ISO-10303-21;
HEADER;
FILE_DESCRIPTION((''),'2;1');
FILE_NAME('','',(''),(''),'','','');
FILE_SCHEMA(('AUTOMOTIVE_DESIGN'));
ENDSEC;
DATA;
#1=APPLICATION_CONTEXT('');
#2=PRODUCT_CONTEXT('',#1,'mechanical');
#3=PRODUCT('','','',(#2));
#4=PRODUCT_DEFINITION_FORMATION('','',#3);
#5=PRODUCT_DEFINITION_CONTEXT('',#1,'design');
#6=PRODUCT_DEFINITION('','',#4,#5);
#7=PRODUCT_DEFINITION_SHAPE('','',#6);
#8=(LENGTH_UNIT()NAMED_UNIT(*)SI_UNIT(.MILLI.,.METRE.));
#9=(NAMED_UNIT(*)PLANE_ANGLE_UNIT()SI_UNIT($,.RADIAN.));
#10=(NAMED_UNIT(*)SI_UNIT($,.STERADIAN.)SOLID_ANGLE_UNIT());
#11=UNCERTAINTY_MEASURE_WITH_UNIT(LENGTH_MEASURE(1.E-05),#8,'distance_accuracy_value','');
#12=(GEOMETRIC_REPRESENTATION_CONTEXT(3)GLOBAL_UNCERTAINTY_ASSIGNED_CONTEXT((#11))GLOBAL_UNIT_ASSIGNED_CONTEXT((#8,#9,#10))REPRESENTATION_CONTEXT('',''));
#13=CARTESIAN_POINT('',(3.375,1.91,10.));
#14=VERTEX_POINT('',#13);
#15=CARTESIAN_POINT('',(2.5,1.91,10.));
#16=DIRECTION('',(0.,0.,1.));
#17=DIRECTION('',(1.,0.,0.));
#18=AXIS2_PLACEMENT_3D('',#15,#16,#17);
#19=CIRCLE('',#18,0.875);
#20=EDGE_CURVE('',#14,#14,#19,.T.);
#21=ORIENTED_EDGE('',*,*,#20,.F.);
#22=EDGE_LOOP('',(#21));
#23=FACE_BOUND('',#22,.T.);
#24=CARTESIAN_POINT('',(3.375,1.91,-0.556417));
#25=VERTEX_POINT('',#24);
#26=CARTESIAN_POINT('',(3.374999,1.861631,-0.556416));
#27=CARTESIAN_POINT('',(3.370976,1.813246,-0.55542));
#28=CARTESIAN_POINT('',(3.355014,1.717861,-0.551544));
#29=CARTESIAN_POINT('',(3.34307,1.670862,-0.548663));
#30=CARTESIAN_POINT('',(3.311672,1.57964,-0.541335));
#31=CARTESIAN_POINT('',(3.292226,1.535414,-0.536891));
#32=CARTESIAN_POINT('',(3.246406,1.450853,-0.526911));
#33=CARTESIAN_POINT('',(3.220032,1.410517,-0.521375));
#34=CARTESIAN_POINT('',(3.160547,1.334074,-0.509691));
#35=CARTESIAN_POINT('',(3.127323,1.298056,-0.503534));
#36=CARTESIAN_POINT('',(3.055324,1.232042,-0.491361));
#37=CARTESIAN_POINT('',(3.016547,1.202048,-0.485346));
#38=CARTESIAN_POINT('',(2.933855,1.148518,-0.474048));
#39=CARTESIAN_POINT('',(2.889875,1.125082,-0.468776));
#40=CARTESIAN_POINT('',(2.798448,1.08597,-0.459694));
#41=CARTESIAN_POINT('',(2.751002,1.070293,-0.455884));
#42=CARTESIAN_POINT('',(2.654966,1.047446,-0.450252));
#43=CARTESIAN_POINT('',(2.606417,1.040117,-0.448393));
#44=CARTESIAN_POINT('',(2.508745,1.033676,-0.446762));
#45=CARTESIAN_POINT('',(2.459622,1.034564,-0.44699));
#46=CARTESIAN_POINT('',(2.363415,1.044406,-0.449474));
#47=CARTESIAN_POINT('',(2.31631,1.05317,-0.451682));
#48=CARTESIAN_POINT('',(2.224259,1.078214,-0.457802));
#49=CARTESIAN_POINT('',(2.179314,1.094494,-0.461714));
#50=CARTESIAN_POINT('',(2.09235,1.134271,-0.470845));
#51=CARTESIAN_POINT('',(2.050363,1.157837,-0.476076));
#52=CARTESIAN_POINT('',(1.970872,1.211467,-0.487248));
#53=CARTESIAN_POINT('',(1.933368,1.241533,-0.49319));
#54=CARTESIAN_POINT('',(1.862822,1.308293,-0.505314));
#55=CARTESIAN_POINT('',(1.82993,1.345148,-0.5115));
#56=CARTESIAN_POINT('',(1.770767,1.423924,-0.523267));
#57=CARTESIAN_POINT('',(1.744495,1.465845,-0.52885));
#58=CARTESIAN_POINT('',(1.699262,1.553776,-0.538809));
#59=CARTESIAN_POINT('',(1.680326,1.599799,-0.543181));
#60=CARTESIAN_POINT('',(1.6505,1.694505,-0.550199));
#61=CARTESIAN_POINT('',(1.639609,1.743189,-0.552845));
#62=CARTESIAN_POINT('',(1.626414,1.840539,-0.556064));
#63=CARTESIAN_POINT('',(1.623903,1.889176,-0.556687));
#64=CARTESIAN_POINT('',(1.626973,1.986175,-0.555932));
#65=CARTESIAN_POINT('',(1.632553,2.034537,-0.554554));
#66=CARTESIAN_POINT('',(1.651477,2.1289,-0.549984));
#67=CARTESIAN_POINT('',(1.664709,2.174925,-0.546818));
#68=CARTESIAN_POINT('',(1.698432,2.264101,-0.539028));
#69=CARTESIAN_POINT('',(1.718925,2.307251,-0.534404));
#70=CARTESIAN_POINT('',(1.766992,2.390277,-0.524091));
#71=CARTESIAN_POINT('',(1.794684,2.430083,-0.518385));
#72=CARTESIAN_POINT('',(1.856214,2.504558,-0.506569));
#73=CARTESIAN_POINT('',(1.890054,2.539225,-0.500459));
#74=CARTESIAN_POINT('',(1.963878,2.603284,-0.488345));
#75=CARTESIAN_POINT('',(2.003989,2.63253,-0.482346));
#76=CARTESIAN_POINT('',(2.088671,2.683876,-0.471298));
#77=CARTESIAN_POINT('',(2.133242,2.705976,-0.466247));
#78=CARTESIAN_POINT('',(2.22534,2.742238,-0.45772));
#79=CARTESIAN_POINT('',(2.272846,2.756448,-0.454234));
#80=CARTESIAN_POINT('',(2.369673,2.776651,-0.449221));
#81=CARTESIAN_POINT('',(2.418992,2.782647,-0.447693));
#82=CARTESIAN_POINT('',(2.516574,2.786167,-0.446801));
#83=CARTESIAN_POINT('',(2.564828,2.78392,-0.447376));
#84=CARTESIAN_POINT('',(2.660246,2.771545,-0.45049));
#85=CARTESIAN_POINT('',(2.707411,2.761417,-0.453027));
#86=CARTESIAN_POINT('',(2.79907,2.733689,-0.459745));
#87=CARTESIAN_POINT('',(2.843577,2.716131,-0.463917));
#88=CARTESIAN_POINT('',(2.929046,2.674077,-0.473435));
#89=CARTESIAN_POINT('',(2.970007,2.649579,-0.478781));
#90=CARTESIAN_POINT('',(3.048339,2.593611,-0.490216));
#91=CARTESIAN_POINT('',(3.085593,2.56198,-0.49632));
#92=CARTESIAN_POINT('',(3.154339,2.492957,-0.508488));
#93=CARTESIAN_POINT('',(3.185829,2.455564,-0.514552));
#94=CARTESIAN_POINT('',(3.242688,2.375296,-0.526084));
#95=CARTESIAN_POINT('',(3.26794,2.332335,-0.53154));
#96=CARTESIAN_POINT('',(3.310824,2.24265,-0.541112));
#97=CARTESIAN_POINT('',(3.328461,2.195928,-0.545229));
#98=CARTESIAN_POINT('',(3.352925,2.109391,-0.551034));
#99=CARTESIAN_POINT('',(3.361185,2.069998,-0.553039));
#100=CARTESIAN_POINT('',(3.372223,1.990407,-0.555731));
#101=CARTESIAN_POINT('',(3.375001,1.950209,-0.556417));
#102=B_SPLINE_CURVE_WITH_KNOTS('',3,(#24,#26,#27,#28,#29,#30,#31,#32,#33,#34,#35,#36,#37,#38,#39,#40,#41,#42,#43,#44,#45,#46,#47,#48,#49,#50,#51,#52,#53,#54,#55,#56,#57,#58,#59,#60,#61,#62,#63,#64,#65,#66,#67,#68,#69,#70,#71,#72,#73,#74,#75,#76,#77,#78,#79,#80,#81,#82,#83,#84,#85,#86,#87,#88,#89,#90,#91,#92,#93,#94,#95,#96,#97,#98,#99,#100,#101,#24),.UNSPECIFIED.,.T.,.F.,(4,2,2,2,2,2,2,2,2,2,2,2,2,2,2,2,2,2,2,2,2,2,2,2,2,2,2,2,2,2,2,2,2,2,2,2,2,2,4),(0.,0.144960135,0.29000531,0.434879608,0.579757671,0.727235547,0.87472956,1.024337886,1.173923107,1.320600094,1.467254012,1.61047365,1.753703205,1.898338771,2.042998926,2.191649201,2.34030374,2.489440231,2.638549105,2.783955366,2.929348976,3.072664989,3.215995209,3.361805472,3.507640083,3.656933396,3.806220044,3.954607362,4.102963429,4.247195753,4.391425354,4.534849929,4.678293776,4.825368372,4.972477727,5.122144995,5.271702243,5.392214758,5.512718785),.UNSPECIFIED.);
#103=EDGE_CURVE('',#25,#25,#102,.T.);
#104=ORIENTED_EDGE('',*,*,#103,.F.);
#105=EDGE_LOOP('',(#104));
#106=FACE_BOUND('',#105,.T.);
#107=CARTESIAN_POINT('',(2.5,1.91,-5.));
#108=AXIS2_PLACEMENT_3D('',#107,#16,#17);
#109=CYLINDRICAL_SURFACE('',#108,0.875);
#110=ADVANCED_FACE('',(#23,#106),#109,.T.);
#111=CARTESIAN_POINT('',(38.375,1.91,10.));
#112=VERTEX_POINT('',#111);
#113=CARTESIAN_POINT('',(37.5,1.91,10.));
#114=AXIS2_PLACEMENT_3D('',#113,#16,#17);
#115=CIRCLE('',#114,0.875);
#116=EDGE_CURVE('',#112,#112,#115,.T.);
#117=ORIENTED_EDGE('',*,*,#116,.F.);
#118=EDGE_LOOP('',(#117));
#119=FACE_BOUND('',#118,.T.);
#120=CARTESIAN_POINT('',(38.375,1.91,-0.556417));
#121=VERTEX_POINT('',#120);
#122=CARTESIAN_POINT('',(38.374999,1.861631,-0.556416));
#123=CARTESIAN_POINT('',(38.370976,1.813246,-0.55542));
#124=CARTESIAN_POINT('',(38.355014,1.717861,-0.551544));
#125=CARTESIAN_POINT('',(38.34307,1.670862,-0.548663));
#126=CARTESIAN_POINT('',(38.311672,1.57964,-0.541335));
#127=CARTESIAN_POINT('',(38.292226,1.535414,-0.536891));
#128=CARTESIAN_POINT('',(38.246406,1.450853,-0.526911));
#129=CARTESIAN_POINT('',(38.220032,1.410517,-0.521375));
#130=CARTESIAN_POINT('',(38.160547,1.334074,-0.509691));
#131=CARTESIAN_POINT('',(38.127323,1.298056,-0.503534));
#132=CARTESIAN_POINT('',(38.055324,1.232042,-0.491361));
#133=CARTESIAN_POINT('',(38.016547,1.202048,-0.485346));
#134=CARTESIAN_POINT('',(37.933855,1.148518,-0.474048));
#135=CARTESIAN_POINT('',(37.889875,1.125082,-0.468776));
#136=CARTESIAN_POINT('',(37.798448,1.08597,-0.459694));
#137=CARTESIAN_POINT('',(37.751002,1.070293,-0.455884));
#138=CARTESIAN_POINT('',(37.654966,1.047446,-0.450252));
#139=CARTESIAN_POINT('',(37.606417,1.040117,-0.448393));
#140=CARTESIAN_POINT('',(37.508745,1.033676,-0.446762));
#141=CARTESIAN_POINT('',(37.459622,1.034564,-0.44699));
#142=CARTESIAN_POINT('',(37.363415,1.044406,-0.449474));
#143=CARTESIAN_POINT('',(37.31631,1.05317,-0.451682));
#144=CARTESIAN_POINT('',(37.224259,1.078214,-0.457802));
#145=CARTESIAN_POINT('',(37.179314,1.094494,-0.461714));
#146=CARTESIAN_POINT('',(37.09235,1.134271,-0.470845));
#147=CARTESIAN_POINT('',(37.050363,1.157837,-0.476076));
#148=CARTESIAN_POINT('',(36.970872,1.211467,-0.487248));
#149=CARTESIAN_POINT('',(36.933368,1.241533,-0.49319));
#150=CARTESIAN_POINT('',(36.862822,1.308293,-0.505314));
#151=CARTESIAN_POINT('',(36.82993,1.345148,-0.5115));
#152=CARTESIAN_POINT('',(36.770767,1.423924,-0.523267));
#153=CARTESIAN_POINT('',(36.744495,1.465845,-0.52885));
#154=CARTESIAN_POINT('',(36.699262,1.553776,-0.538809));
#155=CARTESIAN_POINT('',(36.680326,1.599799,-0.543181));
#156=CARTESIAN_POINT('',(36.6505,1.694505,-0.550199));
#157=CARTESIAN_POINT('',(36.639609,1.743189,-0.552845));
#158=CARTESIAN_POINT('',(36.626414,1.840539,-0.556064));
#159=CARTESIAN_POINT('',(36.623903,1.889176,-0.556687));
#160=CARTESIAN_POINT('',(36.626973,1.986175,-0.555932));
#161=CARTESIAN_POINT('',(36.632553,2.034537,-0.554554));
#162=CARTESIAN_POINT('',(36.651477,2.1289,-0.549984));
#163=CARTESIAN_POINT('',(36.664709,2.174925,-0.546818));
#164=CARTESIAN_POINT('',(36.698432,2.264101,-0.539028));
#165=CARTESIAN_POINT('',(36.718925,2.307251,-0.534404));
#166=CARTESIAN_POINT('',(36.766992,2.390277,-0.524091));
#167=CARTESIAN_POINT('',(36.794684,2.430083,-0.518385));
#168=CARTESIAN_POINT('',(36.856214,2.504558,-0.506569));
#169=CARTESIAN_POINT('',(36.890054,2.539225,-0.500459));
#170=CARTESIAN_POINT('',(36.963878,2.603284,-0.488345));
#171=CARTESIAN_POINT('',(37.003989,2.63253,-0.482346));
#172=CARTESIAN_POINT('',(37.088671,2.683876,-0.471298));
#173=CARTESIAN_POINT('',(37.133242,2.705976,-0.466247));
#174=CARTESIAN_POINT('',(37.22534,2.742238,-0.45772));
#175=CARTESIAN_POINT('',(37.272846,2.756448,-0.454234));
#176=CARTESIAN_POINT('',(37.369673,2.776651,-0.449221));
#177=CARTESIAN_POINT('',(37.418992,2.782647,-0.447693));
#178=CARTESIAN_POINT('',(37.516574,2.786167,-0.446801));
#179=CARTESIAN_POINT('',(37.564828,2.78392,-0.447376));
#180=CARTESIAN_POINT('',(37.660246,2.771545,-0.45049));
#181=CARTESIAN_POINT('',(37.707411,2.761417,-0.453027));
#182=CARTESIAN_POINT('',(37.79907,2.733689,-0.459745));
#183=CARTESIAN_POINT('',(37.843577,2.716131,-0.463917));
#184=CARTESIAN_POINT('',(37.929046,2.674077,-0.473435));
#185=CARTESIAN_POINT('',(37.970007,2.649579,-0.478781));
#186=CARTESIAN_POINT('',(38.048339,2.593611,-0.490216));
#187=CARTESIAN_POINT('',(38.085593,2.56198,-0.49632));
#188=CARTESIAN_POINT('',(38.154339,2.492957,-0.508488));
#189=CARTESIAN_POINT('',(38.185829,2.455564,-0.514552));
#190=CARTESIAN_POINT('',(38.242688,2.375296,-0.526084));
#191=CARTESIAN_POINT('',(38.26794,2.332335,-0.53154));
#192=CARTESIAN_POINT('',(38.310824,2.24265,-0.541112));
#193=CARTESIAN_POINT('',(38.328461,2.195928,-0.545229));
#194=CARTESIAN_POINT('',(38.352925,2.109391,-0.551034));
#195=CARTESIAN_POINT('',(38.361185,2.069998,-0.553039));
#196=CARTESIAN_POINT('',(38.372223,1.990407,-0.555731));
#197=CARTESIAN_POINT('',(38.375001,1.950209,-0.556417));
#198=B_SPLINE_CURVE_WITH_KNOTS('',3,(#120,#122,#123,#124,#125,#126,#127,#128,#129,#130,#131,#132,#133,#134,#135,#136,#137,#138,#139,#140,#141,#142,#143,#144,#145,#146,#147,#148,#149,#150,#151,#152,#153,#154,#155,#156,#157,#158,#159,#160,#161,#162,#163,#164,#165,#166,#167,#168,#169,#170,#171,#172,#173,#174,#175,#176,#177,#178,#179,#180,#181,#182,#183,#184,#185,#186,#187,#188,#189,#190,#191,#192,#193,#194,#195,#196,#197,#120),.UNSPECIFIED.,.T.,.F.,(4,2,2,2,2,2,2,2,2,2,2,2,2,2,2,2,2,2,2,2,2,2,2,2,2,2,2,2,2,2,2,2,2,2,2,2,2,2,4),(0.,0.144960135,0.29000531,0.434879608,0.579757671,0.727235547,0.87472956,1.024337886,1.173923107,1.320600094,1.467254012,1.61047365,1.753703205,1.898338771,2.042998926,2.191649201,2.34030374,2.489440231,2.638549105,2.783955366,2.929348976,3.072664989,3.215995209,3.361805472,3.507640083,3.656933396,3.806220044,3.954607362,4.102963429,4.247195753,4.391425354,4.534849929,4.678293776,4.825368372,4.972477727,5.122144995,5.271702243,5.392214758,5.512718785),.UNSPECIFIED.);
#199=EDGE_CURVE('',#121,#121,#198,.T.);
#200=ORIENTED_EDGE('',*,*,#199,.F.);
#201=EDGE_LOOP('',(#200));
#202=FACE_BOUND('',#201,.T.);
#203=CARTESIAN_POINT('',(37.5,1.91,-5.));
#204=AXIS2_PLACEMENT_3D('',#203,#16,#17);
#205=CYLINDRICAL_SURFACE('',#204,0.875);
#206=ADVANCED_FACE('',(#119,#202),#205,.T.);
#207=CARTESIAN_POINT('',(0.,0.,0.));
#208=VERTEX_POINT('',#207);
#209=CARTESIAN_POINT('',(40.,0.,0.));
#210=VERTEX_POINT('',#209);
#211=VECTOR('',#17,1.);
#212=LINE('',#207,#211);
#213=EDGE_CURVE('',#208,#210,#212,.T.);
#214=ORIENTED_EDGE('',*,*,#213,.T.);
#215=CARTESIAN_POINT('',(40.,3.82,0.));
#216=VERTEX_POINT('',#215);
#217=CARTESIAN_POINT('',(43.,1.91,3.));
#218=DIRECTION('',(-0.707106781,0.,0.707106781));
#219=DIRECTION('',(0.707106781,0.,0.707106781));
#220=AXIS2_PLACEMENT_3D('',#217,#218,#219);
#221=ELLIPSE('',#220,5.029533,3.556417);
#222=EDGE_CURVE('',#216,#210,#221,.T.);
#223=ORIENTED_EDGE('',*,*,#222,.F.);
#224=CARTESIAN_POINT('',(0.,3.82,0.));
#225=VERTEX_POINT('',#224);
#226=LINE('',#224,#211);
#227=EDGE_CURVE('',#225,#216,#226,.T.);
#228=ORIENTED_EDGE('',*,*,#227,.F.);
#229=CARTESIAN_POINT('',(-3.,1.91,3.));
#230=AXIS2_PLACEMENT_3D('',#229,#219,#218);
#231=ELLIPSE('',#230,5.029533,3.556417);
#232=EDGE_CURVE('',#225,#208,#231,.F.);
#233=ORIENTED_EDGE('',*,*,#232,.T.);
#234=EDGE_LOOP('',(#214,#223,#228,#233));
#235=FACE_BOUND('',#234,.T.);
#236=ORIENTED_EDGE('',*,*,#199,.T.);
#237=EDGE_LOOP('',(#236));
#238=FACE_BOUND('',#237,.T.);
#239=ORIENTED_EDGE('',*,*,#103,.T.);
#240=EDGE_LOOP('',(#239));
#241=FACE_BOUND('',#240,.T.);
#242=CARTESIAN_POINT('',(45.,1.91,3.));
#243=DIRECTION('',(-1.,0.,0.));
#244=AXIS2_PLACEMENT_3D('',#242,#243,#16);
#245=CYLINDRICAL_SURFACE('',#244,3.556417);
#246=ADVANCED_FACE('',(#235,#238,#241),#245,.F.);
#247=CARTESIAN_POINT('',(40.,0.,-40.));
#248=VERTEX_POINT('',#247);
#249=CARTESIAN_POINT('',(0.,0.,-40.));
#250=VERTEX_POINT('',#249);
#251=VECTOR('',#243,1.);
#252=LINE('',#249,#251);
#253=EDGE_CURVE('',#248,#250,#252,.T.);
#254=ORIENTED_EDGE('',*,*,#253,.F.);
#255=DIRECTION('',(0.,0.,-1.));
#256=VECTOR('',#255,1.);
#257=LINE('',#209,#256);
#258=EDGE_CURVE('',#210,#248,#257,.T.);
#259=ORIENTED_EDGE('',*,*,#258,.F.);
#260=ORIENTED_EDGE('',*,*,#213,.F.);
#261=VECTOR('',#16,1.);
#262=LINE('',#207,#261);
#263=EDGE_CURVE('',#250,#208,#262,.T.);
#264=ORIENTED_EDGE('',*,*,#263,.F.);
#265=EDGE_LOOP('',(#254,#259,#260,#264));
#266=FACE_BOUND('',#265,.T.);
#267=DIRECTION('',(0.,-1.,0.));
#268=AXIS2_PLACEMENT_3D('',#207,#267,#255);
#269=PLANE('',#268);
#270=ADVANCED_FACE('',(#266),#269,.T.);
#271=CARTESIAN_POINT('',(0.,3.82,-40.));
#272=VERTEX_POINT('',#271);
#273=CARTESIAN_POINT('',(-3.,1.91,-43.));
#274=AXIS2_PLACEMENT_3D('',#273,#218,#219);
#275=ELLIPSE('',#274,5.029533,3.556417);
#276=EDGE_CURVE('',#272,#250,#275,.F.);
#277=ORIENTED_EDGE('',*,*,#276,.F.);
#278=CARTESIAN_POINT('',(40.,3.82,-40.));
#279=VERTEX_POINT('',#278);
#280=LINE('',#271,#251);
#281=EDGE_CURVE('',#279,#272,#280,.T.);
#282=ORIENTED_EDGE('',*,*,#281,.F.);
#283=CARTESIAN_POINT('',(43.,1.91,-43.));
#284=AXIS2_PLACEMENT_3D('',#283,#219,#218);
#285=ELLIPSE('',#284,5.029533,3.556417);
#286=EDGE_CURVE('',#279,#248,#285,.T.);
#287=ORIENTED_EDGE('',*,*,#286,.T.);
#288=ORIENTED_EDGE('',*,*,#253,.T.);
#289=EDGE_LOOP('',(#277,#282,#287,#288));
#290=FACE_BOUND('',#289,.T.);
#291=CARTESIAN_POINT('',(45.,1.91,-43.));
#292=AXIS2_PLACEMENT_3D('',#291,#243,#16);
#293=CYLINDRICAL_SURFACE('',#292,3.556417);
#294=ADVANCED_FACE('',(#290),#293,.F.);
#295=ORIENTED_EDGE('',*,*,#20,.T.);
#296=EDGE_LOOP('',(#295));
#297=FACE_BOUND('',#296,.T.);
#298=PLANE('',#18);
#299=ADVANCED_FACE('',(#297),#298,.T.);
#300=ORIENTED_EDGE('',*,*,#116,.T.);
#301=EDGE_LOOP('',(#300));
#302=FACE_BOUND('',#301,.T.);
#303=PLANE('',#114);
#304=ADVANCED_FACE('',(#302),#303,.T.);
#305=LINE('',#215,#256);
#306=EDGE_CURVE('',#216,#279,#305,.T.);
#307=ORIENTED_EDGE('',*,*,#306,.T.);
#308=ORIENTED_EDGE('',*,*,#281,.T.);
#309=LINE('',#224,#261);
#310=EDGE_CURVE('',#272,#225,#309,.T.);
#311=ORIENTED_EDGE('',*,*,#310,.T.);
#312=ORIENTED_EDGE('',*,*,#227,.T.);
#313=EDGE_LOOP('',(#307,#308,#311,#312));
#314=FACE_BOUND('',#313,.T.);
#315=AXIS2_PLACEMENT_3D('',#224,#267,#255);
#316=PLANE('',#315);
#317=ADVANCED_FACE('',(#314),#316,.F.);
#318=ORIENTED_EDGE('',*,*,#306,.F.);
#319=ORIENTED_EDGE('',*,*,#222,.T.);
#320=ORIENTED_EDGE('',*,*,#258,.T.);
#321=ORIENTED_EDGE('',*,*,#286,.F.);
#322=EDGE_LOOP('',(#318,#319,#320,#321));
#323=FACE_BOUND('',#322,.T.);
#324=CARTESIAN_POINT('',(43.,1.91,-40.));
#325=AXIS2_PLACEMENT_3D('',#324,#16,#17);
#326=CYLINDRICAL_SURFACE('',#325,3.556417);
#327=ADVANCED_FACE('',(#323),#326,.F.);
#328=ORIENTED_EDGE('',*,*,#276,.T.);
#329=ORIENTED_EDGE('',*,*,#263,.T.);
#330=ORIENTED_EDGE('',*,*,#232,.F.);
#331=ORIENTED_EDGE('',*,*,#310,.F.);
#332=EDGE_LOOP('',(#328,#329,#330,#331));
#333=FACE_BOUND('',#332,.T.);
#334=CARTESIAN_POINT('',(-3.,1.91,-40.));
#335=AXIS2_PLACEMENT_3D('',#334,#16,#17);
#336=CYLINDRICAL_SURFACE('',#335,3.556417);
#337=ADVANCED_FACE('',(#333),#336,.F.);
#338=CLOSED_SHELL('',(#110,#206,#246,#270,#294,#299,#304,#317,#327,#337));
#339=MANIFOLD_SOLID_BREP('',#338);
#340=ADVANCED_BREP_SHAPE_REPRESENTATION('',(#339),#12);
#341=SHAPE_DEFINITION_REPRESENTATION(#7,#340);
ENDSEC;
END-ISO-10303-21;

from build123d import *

# Parameters (mm, degrees)
SKETCH1_W                = 40
SKETCH1_H                = 40
BOSS_EXTRUDE1_DEPTH      = 3.82
CUT_EXTRUDE2_DEPTH       = 57.697375601
CUT_EXTRUDE5_DEPTH       = 45
BOSS_EXTRUDE2_DEPTH      = 10
BOSS_EXTRUDE2_DEPTH_BACK = 5
SKETCH4_R                = 0.875
BOSS_EXTRUDE3_DEPTH      = 10
BOSS_EXTRUDE3_DEPTH_BACK = 5
SKETCH5_R                = 0.875


with BuildPart() as part:
    # Sketch1 → Boss-Extrude1 (new body)
    with BuildSketch(Plane(origin=(0, 0, 0), x_dir=(1, 0, 0), z_dir=(0, 1, 0))):
        with Locations((20, 20)):
            Rectangle(SKETCH1_W, SKETCH1_H)
    extrude(amount=BOSS_EXTRUDE1_DEPTH)

    # Sketch2 → Cut-Extrude2 (cut, through all)
    with BuildSketch(Plane.XY):
        Polygon((-3, 1.91), (0, 1.91), (0, 3.82), align=None)
        with BuildLine():
            ThreePointArc((0, 3.82), (0.556416736, 1.91), (0, 0))
            Line((0, 0), (0, 3.82))
        make_face()
        Polygon((0, 0), (0, 1.91), (-3, 1.91), align=None)
        Polygon((40, 3.82), (40, 1.91), (43, 1.91), align=None)
        Polygon((43, 1.91), (40, 1.91), (40, 0), align=None)
        with BuildLine():
            ThreePointArc((40, 3.82), (39.443583264, 1.91), (40, 0))
            Line((40, 0), (40, 3.82))
        make_face()
    extrude(amount=-CUT_EXTRUDE2_DEPTH, mode=Mode.SUBTRACT)

    # Sketch3 → Cut-Extrude5 (cut)
    with BuildSketch(Plane(origin=(0, 0, 0), x_dir=(0, 0, -1), z_dir=(1, 0, 0))):
        with BuildLine():
            Line((40, 3.82), (43, 1.91))
            Line((43, 1.91), (40, 0))
            ThreePointArc((40, 0), (39.443583264, 1.91), (40, 3.82))
        make_face()
        with BuildLine():
            Line((0, 3.82), (-3, 1.91))
            Line((-3, 1.91), (0, 0))
            ThreePointArc((0, 0), (0.556416736, 1.91), (0, 3.82))
        make_face()
    extrude(amount=CUT_EXTRUDE5_DEPTH, mode=Mode.SUBTRACT)

    # Sketch4 → Boss-Extrude2 (add, two sides: drawn at the far end of the back side and taken through both)
    with BuildSketch(Plane.XY.offset(-BOSS_EXTRUDE2_DEPTH_BACK)):
        with Locations((2.5, 1.91)):
            Circle(SKETCH4_R)
    extrude(amount=BOSS_EXTRUDE2_DEPTH + BOSS_EXTRUDE2_DEPTH_BACK)

    # Sketch5 → Boss-Extrude3 (add, two sides: drawn at the far end of the back side and taken through both)
    with BuildSketch(Plane.XY.offset(-BOSS_EXTRUDE3_DEPTH_BACK)):
        with Locations((37.5, 1.91)):
            Circle(SKETCH5_R)
    extrude(amount=BOSS_EXTRUDE3_DEPTH + BOSS_EXTRUDE3_DEPTH_BACK)


solid = part.part
